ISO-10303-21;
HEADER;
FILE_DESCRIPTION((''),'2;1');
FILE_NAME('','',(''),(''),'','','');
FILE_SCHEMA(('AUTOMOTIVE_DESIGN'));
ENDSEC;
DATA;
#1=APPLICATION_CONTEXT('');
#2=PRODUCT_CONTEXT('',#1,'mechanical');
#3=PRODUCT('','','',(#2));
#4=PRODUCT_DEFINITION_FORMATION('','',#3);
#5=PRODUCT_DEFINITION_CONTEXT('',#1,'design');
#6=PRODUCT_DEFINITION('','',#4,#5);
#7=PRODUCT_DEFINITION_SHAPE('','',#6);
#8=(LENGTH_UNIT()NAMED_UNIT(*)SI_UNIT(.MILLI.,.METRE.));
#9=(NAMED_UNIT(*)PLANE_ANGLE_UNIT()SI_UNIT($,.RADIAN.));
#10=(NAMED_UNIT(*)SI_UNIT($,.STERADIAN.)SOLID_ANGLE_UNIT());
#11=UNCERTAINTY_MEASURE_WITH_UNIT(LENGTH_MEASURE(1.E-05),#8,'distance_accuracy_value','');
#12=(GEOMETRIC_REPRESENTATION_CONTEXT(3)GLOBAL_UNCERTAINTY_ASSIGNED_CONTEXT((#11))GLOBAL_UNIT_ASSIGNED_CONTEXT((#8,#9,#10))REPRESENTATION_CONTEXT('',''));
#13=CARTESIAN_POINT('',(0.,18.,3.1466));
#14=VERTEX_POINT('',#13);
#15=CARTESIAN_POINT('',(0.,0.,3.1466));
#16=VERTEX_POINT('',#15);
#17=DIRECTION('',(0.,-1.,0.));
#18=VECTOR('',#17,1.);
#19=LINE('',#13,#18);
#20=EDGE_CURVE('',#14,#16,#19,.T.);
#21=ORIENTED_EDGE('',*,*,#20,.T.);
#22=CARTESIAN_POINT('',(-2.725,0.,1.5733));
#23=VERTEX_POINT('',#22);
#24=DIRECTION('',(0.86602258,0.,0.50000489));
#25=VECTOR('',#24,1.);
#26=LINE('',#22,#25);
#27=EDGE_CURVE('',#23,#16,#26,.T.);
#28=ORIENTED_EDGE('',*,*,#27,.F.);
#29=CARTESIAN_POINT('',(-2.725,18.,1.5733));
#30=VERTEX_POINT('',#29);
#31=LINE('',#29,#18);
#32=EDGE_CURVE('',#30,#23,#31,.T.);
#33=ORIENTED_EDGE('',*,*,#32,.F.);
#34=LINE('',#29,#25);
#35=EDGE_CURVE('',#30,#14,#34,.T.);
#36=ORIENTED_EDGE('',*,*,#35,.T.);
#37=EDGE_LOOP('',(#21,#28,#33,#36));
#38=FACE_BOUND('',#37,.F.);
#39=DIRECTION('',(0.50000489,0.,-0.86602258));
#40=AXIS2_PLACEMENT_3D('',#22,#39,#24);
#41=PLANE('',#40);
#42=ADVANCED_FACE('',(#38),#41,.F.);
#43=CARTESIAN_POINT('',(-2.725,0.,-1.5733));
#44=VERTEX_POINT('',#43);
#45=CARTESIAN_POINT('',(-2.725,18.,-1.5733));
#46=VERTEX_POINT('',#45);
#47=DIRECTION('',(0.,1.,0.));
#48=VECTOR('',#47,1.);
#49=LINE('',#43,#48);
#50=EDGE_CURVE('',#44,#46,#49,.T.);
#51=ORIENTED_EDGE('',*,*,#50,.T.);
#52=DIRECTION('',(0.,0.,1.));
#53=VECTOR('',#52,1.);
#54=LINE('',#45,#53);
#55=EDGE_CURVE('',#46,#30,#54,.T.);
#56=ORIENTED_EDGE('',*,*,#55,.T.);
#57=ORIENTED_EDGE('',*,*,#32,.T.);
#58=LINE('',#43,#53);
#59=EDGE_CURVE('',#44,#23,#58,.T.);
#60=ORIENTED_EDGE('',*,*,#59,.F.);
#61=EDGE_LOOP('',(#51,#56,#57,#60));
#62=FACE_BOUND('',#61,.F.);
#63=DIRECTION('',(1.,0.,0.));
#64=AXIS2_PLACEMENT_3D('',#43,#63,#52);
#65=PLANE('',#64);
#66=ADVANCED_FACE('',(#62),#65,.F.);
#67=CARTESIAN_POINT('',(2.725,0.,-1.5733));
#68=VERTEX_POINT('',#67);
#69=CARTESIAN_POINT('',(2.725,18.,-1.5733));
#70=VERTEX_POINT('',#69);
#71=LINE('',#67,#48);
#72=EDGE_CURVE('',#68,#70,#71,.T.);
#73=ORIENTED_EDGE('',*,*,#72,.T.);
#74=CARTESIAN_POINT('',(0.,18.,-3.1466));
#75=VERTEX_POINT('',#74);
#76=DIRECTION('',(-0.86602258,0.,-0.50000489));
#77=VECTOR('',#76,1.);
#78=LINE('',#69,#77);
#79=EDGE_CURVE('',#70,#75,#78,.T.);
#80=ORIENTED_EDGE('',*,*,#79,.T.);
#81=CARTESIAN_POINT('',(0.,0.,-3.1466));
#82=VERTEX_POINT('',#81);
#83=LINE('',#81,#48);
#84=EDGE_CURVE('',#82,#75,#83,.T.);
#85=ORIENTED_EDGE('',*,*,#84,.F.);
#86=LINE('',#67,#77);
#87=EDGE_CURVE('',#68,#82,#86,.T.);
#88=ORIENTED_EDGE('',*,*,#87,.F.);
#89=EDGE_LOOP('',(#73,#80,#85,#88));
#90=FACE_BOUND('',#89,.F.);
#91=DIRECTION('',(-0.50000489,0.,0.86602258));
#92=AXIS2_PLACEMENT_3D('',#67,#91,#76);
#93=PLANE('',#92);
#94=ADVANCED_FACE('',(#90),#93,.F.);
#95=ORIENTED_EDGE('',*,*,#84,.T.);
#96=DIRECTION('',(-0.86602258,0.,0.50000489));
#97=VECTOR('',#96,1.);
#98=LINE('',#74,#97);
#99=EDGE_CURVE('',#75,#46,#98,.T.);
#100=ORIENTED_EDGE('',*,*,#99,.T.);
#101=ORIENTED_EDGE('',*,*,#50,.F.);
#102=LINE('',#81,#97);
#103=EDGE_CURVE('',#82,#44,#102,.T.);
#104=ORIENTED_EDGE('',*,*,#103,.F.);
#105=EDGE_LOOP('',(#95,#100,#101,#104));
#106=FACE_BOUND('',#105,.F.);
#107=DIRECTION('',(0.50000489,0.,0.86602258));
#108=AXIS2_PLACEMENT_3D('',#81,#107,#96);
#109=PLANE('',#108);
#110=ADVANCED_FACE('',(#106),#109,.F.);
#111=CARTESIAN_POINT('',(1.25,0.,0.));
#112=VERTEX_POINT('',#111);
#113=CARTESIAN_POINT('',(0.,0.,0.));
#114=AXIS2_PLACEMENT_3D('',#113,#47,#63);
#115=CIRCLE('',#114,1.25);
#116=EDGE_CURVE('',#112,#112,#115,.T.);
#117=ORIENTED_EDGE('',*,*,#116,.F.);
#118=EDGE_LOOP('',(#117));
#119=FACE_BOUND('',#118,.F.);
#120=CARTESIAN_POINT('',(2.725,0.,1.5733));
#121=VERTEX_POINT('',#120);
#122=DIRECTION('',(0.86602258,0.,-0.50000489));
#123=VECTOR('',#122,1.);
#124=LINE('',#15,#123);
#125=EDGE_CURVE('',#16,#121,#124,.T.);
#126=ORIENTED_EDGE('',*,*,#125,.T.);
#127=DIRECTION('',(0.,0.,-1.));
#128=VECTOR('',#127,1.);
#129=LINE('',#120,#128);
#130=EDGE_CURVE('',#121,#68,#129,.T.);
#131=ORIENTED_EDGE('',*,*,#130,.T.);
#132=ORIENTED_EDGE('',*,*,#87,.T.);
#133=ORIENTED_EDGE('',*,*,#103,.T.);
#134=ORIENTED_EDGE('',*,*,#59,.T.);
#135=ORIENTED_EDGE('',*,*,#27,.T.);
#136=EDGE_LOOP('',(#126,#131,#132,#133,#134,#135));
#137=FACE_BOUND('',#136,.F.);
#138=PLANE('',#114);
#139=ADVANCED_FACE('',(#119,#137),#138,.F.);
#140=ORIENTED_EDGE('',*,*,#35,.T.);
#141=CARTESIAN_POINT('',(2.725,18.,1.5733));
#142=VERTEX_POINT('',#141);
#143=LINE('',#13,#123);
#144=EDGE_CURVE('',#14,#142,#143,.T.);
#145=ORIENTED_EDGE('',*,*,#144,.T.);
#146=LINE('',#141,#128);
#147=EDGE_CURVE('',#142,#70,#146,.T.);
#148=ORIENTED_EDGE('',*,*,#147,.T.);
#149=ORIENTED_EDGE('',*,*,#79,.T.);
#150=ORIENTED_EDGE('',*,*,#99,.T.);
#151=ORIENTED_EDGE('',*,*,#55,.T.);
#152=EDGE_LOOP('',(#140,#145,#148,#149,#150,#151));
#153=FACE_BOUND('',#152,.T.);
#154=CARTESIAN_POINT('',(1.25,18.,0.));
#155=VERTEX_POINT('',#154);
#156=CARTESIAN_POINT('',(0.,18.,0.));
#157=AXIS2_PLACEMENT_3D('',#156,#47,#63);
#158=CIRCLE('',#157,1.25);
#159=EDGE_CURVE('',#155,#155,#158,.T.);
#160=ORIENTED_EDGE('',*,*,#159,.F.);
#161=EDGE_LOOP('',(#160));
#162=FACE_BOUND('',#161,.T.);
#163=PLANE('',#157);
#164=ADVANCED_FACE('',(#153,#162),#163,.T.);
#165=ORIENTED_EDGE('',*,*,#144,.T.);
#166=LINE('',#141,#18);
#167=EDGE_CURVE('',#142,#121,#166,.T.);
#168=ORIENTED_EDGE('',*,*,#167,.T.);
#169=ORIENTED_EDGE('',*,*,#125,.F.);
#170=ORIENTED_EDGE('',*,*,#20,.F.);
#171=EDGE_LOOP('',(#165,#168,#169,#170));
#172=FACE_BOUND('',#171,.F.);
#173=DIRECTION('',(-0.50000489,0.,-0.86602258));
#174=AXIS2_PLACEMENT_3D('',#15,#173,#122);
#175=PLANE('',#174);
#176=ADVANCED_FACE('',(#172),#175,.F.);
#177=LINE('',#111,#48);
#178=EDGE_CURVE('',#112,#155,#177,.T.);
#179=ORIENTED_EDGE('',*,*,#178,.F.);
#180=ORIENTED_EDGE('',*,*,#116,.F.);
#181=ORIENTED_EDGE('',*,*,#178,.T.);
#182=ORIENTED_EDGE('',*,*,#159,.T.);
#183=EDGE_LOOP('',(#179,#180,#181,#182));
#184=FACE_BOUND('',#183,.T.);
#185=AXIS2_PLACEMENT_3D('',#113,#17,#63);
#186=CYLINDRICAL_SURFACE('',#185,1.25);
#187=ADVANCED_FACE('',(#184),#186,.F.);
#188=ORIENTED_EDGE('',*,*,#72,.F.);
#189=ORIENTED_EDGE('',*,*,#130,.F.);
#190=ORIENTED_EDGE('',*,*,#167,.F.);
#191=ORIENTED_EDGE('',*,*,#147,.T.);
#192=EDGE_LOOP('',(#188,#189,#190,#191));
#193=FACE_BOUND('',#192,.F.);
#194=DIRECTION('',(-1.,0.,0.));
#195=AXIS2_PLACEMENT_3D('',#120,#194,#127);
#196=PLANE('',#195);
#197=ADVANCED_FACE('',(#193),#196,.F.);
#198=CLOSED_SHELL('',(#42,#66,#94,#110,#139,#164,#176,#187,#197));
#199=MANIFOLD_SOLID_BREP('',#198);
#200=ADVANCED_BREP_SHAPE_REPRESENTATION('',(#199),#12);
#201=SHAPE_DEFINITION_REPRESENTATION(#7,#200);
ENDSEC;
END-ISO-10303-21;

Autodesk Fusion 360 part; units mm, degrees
sketch "Sketch1" plane through (0, 0, 0) normal (0, 1, 0) x (1, 0, 0)
  circle A0 centre (0, 0) radius 8 construction
  circle A1 centre (0, 0) radius 9.5 construction
  circle A2 centre (0, 0) radius 14 construction
  circle A3 centre (0, 0) radius 18 construction
  line L0 (0, 0) -> (0, -18) construction
  line L1 (0, 0) -> (0, 52) construction
  line L2 (0, 0) -> (18, 0) construction
  line L3 (0, 0) -> (-18, 0) construction
  circle A4 centre (0, 0) radius 48 construction
  circle A5 centre (0, 0) radius 58 construction
  line L4 (0, 47) -> (-33.9853, 47) construction
  circle A6 centre (0, -9.5) radius 1.5
  circle A7 centre (-8, 0) radius 1.5
  circle A8 centre (8, 0) radius 1.5
  circle A9 centre (0, 9.5) radius 1.5
  circle A10 centre (18, 0) radius 1.5
  circle A11 centre (0, -18) radius 1.5
  line L5 (-50.3158, -28.85) -> (25, -28.85) construction
  circle A12 centre (25, -28.85) radius 1.5
  line L6 (-11.3632, -5.2083) -> (-4.1251, -21)
  line L7 (11.4564, 5) -> (18, 5)
  line L8 (30, -7) -> (30, -28.85)
  arc A13 (12.5, 0) -> (11.4564, 5) centre (0, 0) ccw construction
  arc A14 (11.4564, 5) -> (-11.3632, -5.2083) centre (0, 0) ccw
  arc A15 (0, -12.5) -> (12.5, 0) centre (0, 0) ccw construction
  arc A16 (-11.3632, -5.2083) -> (0, -12.5) centre (0, 0) ccw construction
  circle A17 centre (0, 0) radius 2.5
  arc A18 (30, -28.85) -> (23.0094, -33.4367) centre (25, -28.85) ccw construction
  arc A19 (23.0094, -33.4367) -> (30, -28.85) centre (25, -28.85) ccw
  line L9 (-1.9906, -22.5867) -> (23.0094, -33.4367)
  arc A20 (-1.9906, -22.5867) -> (-4.5453, -20.0833) centre (0, -18) ccw construction
  arc A21 (-4.5453, -20.0833) -> (-1.9906, -22.5867) centre (0, -18) ccw
  arc A22 (18, 5) -> (30, -7) centre (18, -7) ccw construction
  arc A23 (30, -7) -> (18, 5) centre (18, -7) ccw
  point P0 (0, 14)
  point P1 (0, 47)
  point P2 (-47.869, 32.75)
  point P3 (-42.1187, 39.875)
  point P4 (-50.8212, 27.95)
  point P5 (-55.4373, -17.05)
  point P6 (-53.7269, -21.85)
  point P7 (-50.3158, -28.85)
  point P8 (0, 9.5)
  point P9 (8, 0)
  point P10 (0, 12.5)
  dimension "d19" = 16
  dimension "d20" = 19
  dimension "d21" = 28
  dimension "d22" = 36
  dimension "d23" = 38
  dimension "d24" = 96
  dimension "d25" = 116
  dimension "d26" = 5
  dimension "d27" = 19.25
  dimension "d28" = 4.8
  dimension "d29" = 7.125
  dimension "d30" = 45
  dimension "d31" = 4.8
  dimension "d32" = 7
  dimension "d33" = 3
  dimension "d34" = 3
  dimension "d35" = 3
  dimension "d36" = 3
  dimension "d37" = 3
  dimension "d38" = 3
  dimension "d39" = 25
  dimension "d40" = 3
  dimension "d41" = 3
  dimension "d44" = 5
  dimension "d45" = 5
  dimension "d48" = 5
  dimension "d49" = 3
  dimension "d50" = 5
  dimension "d51" = 12
extrude "Extrude1" add sketch "Sketch1" along normal blind 4.8

Autodesk Fusion 360 part; units mm, degrees
sketch "Sketch1" plane through (0, 0, 0) normal (0, 1, 0) x (1, 0, 0)
  line L0 (2.725, 1.5733) -> (0, 3.1466)
  line L1 (0, 3.1466) -> (-2.725, 1.5733)
  line L2 (-2.725, 1.5733) -> (-2.725, -1.5733)
  line L3 (-2.725, -1.5733) -> (0, -3.1466)
  line L4 (0, -3.1466) -> (2.725, -1.5733)
  line L5 (2.725, -1.5733) -> (2.725, 1.5733)
  circle A0 centre (0, 0) radius 1.25
  dimension "d1" = 2.5
extrude "Extrude1" add sketch "Sketch1" along normal blind 18
